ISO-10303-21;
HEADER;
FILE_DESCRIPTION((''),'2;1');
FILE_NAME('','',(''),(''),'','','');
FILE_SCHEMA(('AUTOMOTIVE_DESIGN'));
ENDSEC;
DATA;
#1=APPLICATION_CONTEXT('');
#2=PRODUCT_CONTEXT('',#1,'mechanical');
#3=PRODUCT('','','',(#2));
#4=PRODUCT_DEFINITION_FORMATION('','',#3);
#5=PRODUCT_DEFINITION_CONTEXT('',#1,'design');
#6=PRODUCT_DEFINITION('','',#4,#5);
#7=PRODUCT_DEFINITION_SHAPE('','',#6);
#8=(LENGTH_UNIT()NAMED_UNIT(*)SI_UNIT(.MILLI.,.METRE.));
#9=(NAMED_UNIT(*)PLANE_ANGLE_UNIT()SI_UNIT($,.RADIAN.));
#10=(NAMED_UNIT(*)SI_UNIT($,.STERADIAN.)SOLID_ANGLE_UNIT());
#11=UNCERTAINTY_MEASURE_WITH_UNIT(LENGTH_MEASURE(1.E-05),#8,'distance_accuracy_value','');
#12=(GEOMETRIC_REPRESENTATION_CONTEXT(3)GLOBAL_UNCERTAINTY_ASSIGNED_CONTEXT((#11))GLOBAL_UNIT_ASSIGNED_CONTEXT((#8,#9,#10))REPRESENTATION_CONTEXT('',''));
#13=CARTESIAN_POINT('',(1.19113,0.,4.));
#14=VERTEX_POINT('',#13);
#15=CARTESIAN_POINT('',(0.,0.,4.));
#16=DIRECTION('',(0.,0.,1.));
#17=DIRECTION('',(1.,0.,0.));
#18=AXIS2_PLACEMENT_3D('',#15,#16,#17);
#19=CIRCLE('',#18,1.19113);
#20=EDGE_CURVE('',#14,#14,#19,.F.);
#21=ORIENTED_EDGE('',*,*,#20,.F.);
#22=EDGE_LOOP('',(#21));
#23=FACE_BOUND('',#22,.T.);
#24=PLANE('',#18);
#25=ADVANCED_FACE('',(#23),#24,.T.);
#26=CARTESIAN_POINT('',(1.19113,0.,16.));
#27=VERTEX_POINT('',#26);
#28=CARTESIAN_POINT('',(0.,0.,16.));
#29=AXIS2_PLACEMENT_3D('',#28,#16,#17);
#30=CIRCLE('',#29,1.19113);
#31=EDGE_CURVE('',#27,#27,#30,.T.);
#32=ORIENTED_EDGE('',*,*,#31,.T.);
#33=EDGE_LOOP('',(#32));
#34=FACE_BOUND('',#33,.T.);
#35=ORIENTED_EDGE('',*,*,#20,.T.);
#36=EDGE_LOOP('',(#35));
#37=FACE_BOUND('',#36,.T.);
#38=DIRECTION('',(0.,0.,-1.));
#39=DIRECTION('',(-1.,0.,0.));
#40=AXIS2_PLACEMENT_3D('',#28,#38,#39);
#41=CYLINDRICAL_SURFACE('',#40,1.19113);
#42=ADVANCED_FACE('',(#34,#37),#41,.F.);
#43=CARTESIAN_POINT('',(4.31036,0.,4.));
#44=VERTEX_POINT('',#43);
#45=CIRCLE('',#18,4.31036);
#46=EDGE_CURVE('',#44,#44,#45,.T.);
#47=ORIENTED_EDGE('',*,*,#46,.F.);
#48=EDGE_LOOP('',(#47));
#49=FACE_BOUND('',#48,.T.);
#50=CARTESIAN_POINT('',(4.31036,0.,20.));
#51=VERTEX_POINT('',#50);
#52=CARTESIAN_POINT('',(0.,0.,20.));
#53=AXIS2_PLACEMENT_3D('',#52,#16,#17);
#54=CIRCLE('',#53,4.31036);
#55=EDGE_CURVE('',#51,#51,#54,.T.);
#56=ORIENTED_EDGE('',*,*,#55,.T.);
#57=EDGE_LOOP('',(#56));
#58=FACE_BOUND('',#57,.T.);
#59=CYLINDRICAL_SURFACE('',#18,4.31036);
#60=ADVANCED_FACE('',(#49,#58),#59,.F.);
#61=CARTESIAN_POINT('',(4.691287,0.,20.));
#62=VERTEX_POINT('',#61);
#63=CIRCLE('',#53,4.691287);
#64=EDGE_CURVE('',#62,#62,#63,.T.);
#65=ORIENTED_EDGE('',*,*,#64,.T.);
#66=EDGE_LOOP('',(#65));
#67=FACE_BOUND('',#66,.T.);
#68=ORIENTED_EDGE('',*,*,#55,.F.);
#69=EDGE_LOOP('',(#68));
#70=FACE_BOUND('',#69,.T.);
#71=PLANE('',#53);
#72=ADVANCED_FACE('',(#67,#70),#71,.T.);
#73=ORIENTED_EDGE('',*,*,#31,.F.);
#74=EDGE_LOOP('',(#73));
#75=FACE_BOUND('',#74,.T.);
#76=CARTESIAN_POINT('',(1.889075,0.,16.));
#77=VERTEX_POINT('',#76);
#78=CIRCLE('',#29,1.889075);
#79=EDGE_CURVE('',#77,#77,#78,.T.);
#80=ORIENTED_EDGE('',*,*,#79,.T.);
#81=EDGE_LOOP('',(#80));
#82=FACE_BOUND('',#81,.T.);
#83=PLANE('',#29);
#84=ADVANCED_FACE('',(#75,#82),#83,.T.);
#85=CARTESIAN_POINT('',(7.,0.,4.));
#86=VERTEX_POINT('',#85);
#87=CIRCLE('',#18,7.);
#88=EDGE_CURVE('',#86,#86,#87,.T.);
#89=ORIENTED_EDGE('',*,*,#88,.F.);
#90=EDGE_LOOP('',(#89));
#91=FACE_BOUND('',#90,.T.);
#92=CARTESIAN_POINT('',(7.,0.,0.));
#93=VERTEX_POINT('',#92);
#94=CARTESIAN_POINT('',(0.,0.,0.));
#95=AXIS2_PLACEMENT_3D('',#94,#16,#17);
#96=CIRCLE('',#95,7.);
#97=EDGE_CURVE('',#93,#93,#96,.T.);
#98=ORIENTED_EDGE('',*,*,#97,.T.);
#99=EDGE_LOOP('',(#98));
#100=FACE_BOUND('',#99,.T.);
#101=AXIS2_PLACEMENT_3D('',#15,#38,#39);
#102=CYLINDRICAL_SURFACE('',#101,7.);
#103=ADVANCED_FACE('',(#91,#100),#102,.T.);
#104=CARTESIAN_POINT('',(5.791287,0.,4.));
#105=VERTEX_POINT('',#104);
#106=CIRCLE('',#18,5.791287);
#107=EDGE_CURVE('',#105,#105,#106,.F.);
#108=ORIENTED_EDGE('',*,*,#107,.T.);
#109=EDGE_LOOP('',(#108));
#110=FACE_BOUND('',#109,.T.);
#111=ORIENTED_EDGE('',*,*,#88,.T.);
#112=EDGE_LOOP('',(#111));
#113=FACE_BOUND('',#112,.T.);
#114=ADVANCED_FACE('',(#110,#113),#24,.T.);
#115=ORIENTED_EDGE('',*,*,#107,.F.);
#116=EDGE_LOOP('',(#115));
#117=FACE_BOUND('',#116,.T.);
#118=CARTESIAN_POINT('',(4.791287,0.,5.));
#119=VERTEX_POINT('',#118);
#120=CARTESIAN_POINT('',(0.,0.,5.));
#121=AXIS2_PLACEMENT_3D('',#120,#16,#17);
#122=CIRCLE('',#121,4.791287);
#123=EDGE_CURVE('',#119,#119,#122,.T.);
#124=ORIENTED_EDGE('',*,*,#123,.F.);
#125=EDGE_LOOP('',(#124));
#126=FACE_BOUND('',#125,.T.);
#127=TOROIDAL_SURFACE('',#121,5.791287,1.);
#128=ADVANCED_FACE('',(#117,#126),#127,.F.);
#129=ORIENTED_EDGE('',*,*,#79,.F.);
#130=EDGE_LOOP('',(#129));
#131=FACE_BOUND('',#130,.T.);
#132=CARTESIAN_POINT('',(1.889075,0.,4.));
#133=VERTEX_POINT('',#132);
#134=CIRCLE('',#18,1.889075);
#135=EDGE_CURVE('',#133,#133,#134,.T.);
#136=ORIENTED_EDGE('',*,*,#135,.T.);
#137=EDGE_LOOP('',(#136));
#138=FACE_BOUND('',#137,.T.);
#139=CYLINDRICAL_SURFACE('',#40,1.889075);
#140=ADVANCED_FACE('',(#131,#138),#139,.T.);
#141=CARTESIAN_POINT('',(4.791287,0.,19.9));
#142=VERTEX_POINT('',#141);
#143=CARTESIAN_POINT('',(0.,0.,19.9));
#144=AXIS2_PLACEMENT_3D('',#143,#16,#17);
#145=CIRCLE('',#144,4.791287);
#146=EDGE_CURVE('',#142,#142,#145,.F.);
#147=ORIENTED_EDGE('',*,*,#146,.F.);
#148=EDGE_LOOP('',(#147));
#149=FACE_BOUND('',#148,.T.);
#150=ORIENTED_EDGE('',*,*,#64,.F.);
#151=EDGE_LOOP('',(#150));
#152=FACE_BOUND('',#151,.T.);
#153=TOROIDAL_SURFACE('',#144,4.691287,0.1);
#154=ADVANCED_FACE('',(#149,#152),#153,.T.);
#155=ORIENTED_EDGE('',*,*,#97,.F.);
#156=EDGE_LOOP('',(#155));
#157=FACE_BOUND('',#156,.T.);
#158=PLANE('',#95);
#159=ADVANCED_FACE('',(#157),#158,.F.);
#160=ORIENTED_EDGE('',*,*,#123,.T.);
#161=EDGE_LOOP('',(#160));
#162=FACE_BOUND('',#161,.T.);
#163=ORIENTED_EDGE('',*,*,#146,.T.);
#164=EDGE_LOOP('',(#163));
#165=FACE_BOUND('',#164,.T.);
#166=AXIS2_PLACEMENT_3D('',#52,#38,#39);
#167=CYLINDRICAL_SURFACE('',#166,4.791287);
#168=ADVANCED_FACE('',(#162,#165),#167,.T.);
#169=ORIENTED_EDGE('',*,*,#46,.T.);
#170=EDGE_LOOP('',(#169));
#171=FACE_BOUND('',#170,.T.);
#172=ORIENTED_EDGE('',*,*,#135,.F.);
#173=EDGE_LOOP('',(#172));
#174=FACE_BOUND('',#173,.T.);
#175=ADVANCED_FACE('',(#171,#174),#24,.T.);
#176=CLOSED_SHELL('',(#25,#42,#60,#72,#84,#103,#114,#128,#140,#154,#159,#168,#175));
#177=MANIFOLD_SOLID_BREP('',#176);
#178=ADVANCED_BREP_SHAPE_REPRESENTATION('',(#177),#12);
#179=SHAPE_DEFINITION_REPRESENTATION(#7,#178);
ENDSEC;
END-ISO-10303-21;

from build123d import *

# Parameters (mm, degrees)
SKETCH1_R           = 7
BOSS_EXTRUDE1_DEPTH = 4
SKETCH2_R           = 4.791287292
BOSS_EXTRUDE2_DEPTH = 16
SKETCH3_R           = 4.310359808
CUT_EXTRUDE1_DEPTH  = 16
SKETCH4_R           = 1.889075337
SKETCH4_R_2         = 1.191130081
BOSS_EXTRUDE3_DEPTH = 12
FILLET1_R           = 1
FILLET2_R           = 0.1


with BuildPart() as part:
    # Sketch1 → Boss-Extrude1 (new body)
    with BuildSketch(Plane.XY):
        Circle(SKETCH1_R)
    extrude(amount=BOSS_EXTRUDE1_DEPTH)

    # Sketch2 → Boss-Extrude2 (add)
    with BuildSketch(Plane.XY.offset(4)):
        Circle(SKETCH2_R)
    extrude(amount=BOSS_EXTRUDE2_DEPTH)

    # Sketch3 → Cut-Extrude1 (cut)
    with BuildSketch(Plane.XY.offset(20)):
        Circle(SKETCH3_R)
    extrude(amount=-CUT_EXTRUDE1_DEPTH, mode=Mode.SUBTRACT)

    # Sketch4 → Boss-Extrude3 (add)
    with BuildSketch(Plane.XY.offset(4)):
        Circle(SKETCH4_R)
        Circle(SKETCH4_R_2, mode=Mode.SUBTRACT)
    extrude(amount=BOSS_EXTRUDE3_DEPTH)

    # Fillet1
    fillet1_edges = [part.edges().sort_by_distance(p)[0] for p in [
        (-4.791287292, 0, 4),
    ]]
    fillet(fillet1_edges, radius=FILLET1_R)

    # Fillet2
    fillet2_edges = [part.edges().sort_by_distance(p)[0] for p in [
        (-4.791287292, 0, 20),
    ]]
    fillet(fillet2_edges, radius=FILLET2_R)


solid = part.part
